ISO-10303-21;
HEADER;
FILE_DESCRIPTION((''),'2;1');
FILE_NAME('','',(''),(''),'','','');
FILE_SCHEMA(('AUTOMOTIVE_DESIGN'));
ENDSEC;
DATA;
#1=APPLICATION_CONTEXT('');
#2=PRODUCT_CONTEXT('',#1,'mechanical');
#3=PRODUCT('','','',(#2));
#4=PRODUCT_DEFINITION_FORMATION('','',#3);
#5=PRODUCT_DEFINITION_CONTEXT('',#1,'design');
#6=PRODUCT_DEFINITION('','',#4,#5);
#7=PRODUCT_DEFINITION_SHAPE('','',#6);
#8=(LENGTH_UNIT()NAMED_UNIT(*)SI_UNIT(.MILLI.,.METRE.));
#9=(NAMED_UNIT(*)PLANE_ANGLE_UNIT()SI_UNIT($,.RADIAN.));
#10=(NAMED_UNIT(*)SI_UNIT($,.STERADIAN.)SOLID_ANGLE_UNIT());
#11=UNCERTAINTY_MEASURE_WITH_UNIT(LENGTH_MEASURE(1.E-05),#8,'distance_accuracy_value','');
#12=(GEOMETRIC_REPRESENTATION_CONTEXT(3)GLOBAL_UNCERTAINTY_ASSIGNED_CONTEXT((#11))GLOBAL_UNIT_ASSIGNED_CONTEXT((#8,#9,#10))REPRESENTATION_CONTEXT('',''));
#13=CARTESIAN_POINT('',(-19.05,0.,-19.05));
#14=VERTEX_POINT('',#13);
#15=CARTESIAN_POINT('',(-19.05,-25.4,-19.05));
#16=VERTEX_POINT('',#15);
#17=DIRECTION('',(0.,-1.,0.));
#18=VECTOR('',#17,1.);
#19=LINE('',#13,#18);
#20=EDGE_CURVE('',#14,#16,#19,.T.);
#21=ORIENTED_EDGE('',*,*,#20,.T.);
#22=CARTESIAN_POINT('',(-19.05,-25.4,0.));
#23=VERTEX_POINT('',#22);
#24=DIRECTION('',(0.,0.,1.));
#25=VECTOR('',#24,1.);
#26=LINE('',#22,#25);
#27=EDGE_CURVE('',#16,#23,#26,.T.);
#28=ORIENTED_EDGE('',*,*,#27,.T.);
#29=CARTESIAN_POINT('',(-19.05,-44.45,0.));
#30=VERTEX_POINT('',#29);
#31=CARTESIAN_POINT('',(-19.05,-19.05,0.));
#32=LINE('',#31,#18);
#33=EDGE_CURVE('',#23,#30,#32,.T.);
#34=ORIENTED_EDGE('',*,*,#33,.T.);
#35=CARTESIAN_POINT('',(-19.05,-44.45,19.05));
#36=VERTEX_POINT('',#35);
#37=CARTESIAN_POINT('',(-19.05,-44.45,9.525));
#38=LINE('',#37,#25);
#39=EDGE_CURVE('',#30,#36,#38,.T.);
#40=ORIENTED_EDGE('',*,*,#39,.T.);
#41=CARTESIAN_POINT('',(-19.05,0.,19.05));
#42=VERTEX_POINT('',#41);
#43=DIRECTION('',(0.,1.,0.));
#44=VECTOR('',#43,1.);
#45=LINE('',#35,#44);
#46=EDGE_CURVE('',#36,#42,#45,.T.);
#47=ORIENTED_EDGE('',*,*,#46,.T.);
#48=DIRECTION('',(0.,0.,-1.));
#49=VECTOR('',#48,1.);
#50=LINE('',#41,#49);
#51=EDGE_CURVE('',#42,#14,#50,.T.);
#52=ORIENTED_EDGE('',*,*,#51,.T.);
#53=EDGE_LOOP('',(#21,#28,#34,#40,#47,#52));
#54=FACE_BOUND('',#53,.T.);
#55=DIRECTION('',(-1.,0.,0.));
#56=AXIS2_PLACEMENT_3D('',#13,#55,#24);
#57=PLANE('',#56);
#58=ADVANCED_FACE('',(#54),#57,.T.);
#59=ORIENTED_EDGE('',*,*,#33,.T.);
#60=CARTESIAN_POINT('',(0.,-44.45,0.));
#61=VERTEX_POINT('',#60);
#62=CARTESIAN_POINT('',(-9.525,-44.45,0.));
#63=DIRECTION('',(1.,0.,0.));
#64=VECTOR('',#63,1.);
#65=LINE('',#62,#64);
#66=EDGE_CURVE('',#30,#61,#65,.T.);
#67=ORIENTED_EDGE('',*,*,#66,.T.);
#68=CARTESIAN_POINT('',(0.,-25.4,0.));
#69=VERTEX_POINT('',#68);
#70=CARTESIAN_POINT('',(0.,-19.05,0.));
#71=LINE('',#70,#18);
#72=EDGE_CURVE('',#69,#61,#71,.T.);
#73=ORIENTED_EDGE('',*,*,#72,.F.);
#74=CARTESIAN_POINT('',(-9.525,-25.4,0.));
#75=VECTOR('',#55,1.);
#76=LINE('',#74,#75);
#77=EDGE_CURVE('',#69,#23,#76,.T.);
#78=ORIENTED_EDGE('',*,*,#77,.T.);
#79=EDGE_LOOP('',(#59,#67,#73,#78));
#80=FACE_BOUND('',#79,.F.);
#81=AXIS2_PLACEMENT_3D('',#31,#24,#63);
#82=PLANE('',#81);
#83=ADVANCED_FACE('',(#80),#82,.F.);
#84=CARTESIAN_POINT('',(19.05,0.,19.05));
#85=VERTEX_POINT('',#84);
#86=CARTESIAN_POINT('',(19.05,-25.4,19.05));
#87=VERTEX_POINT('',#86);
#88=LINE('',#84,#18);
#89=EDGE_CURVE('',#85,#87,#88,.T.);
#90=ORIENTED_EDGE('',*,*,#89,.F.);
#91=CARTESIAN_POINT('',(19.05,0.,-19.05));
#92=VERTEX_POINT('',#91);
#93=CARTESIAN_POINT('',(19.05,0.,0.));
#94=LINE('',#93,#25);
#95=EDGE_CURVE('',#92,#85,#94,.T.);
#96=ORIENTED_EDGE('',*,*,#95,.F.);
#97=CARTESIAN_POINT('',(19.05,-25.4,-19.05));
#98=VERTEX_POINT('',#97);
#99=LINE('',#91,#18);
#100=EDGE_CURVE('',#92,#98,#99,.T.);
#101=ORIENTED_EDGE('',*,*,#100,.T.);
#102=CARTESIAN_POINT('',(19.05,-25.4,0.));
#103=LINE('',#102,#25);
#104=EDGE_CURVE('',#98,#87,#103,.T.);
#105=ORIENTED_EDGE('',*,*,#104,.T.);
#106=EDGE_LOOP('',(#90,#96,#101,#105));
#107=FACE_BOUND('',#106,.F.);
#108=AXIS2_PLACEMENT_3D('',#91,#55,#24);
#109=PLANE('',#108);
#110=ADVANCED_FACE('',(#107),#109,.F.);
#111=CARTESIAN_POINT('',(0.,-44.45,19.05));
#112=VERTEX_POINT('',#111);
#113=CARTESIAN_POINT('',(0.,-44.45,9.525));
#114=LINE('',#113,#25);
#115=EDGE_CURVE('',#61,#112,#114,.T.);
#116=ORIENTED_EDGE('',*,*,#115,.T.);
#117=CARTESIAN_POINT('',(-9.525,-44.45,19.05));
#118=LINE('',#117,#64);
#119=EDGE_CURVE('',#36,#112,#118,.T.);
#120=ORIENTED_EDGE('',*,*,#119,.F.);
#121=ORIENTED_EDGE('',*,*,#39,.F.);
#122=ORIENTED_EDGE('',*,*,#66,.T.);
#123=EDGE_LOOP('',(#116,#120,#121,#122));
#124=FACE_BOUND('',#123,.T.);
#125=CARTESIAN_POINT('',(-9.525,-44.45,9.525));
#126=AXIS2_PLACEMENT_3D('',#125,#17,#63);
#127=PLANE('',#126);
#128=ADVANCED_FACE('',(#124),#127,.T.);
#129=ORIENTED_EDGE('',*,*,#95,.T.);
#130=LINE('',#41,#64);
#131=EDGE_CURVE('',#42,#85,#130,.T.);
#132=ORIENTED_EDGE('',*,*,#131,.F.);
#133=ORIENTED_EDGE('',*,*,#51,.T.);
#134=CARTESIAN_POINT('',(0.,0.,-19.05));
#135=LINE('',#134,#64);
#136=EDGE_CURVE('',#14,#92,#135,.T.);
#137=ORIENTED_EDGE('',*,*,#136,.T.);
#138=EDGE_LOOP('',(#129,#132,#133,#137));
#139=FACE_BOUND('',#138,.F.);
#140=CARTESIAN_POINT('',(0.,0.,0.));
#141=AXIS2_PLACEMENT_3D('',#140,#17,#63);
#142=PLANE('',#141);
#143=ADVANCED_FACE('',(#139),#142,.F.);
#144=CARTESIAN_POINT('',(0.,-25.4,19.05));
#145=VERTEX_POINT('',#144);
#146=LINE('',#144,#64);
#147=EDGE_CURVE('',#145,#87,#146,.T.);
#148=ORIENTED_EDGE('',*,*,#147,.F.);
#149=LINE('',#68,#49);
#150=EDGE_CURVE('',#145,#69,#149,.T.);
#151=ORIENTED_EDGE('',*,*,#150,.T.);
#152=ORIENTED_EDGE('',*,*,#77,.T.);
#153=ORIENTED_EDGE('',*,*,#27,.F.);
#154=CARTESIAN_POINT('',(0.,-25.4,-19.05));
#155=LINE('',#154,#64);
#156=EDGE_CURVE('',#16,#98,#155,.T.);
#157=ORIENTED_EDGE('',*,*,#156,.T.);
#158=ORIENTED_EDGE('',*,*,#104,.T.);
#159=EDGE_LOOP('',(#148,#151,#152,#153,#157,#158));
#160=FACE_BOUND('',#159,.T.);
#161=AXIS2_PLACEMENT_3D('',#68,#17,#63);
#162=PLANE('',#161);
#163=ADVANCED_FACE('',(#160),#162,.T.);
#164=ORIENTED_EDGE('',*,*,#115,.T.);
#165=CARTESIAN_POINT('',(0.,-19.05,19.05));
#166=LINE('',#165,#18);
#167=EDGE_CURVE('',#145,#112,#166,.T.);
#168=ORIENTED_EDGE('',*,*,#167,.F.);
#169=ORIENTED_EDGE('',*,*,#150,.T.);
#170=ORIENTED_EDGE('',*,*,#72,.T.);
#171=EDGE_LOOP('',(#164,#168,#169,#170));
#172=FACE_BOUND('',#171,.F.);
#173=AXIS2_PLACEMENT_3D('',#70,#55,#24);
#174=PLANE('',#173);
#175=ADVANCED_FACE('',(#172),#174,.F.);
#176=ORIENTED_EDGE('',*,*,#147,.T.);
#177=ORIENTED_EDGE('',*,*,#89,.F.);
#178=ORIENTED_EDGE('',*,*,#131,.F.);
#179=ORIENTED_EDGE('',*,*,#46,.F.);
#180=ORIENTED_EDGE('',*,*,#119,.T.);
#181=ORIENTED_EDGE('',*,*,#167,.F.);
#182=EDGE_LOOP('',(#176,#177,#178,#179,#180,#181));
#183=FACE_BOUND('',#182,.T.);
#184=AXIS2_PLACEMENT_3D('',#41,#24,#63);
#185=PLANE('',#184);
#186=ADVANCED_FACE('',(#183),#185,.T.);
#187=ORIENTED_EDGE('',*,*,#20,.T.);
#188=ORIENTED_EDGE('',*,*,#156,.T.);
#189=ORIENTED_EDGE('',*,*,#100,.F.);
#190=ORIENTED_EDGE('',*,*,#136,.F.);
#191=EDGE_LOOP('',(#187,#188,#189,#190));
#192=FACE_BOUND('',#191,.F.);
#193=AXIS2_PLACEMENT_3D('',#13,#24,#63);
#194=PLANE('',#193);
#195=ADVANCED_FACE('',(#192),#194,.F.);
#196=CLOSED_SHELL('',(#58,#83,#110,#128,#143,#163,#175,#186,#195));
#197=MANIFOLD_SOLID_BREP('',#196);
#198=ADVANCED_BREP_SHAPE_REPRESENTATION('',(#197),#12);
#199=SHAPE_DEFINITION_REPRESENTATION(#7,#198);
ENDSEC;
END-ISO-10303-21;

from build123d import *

# Parameters (mm, degrees)
F1_W      = 19.05
F1_H      = 19.05
F2_DEPTH  = 19.05
F0_W      = 38.1
F0_H      = 38.1
F2_FACE_W = 19.05
F2_FACE_H = 19.05
F3_DEPTH  = 25.4


with BuildPart() as f2:
    # F1 (on face) → F2 (new body)
    with BuildSketch(Plane.XZ):
        with Locations((-9.525, 9.525)):
            Rectangle(F1_W, F1_H)
    extrude(amount=F2_DEPTH)

    # F0 (on Front) + F2_face (on face) → F3 (join)
    with BuildSketch(Plane.XZ):
        Rectangle(F0_W, F0_H)
    with BuildSketch(Plane(origin=(-9.525, -19.05, 9.525), x_dir=(1, 0, 0), z_dir=(0, -1, 0))):
        Rectangle(F2_FACE_W, F2_FACE_H)
    extrude(amount=F3_DEPTH)


solid = f2.part
